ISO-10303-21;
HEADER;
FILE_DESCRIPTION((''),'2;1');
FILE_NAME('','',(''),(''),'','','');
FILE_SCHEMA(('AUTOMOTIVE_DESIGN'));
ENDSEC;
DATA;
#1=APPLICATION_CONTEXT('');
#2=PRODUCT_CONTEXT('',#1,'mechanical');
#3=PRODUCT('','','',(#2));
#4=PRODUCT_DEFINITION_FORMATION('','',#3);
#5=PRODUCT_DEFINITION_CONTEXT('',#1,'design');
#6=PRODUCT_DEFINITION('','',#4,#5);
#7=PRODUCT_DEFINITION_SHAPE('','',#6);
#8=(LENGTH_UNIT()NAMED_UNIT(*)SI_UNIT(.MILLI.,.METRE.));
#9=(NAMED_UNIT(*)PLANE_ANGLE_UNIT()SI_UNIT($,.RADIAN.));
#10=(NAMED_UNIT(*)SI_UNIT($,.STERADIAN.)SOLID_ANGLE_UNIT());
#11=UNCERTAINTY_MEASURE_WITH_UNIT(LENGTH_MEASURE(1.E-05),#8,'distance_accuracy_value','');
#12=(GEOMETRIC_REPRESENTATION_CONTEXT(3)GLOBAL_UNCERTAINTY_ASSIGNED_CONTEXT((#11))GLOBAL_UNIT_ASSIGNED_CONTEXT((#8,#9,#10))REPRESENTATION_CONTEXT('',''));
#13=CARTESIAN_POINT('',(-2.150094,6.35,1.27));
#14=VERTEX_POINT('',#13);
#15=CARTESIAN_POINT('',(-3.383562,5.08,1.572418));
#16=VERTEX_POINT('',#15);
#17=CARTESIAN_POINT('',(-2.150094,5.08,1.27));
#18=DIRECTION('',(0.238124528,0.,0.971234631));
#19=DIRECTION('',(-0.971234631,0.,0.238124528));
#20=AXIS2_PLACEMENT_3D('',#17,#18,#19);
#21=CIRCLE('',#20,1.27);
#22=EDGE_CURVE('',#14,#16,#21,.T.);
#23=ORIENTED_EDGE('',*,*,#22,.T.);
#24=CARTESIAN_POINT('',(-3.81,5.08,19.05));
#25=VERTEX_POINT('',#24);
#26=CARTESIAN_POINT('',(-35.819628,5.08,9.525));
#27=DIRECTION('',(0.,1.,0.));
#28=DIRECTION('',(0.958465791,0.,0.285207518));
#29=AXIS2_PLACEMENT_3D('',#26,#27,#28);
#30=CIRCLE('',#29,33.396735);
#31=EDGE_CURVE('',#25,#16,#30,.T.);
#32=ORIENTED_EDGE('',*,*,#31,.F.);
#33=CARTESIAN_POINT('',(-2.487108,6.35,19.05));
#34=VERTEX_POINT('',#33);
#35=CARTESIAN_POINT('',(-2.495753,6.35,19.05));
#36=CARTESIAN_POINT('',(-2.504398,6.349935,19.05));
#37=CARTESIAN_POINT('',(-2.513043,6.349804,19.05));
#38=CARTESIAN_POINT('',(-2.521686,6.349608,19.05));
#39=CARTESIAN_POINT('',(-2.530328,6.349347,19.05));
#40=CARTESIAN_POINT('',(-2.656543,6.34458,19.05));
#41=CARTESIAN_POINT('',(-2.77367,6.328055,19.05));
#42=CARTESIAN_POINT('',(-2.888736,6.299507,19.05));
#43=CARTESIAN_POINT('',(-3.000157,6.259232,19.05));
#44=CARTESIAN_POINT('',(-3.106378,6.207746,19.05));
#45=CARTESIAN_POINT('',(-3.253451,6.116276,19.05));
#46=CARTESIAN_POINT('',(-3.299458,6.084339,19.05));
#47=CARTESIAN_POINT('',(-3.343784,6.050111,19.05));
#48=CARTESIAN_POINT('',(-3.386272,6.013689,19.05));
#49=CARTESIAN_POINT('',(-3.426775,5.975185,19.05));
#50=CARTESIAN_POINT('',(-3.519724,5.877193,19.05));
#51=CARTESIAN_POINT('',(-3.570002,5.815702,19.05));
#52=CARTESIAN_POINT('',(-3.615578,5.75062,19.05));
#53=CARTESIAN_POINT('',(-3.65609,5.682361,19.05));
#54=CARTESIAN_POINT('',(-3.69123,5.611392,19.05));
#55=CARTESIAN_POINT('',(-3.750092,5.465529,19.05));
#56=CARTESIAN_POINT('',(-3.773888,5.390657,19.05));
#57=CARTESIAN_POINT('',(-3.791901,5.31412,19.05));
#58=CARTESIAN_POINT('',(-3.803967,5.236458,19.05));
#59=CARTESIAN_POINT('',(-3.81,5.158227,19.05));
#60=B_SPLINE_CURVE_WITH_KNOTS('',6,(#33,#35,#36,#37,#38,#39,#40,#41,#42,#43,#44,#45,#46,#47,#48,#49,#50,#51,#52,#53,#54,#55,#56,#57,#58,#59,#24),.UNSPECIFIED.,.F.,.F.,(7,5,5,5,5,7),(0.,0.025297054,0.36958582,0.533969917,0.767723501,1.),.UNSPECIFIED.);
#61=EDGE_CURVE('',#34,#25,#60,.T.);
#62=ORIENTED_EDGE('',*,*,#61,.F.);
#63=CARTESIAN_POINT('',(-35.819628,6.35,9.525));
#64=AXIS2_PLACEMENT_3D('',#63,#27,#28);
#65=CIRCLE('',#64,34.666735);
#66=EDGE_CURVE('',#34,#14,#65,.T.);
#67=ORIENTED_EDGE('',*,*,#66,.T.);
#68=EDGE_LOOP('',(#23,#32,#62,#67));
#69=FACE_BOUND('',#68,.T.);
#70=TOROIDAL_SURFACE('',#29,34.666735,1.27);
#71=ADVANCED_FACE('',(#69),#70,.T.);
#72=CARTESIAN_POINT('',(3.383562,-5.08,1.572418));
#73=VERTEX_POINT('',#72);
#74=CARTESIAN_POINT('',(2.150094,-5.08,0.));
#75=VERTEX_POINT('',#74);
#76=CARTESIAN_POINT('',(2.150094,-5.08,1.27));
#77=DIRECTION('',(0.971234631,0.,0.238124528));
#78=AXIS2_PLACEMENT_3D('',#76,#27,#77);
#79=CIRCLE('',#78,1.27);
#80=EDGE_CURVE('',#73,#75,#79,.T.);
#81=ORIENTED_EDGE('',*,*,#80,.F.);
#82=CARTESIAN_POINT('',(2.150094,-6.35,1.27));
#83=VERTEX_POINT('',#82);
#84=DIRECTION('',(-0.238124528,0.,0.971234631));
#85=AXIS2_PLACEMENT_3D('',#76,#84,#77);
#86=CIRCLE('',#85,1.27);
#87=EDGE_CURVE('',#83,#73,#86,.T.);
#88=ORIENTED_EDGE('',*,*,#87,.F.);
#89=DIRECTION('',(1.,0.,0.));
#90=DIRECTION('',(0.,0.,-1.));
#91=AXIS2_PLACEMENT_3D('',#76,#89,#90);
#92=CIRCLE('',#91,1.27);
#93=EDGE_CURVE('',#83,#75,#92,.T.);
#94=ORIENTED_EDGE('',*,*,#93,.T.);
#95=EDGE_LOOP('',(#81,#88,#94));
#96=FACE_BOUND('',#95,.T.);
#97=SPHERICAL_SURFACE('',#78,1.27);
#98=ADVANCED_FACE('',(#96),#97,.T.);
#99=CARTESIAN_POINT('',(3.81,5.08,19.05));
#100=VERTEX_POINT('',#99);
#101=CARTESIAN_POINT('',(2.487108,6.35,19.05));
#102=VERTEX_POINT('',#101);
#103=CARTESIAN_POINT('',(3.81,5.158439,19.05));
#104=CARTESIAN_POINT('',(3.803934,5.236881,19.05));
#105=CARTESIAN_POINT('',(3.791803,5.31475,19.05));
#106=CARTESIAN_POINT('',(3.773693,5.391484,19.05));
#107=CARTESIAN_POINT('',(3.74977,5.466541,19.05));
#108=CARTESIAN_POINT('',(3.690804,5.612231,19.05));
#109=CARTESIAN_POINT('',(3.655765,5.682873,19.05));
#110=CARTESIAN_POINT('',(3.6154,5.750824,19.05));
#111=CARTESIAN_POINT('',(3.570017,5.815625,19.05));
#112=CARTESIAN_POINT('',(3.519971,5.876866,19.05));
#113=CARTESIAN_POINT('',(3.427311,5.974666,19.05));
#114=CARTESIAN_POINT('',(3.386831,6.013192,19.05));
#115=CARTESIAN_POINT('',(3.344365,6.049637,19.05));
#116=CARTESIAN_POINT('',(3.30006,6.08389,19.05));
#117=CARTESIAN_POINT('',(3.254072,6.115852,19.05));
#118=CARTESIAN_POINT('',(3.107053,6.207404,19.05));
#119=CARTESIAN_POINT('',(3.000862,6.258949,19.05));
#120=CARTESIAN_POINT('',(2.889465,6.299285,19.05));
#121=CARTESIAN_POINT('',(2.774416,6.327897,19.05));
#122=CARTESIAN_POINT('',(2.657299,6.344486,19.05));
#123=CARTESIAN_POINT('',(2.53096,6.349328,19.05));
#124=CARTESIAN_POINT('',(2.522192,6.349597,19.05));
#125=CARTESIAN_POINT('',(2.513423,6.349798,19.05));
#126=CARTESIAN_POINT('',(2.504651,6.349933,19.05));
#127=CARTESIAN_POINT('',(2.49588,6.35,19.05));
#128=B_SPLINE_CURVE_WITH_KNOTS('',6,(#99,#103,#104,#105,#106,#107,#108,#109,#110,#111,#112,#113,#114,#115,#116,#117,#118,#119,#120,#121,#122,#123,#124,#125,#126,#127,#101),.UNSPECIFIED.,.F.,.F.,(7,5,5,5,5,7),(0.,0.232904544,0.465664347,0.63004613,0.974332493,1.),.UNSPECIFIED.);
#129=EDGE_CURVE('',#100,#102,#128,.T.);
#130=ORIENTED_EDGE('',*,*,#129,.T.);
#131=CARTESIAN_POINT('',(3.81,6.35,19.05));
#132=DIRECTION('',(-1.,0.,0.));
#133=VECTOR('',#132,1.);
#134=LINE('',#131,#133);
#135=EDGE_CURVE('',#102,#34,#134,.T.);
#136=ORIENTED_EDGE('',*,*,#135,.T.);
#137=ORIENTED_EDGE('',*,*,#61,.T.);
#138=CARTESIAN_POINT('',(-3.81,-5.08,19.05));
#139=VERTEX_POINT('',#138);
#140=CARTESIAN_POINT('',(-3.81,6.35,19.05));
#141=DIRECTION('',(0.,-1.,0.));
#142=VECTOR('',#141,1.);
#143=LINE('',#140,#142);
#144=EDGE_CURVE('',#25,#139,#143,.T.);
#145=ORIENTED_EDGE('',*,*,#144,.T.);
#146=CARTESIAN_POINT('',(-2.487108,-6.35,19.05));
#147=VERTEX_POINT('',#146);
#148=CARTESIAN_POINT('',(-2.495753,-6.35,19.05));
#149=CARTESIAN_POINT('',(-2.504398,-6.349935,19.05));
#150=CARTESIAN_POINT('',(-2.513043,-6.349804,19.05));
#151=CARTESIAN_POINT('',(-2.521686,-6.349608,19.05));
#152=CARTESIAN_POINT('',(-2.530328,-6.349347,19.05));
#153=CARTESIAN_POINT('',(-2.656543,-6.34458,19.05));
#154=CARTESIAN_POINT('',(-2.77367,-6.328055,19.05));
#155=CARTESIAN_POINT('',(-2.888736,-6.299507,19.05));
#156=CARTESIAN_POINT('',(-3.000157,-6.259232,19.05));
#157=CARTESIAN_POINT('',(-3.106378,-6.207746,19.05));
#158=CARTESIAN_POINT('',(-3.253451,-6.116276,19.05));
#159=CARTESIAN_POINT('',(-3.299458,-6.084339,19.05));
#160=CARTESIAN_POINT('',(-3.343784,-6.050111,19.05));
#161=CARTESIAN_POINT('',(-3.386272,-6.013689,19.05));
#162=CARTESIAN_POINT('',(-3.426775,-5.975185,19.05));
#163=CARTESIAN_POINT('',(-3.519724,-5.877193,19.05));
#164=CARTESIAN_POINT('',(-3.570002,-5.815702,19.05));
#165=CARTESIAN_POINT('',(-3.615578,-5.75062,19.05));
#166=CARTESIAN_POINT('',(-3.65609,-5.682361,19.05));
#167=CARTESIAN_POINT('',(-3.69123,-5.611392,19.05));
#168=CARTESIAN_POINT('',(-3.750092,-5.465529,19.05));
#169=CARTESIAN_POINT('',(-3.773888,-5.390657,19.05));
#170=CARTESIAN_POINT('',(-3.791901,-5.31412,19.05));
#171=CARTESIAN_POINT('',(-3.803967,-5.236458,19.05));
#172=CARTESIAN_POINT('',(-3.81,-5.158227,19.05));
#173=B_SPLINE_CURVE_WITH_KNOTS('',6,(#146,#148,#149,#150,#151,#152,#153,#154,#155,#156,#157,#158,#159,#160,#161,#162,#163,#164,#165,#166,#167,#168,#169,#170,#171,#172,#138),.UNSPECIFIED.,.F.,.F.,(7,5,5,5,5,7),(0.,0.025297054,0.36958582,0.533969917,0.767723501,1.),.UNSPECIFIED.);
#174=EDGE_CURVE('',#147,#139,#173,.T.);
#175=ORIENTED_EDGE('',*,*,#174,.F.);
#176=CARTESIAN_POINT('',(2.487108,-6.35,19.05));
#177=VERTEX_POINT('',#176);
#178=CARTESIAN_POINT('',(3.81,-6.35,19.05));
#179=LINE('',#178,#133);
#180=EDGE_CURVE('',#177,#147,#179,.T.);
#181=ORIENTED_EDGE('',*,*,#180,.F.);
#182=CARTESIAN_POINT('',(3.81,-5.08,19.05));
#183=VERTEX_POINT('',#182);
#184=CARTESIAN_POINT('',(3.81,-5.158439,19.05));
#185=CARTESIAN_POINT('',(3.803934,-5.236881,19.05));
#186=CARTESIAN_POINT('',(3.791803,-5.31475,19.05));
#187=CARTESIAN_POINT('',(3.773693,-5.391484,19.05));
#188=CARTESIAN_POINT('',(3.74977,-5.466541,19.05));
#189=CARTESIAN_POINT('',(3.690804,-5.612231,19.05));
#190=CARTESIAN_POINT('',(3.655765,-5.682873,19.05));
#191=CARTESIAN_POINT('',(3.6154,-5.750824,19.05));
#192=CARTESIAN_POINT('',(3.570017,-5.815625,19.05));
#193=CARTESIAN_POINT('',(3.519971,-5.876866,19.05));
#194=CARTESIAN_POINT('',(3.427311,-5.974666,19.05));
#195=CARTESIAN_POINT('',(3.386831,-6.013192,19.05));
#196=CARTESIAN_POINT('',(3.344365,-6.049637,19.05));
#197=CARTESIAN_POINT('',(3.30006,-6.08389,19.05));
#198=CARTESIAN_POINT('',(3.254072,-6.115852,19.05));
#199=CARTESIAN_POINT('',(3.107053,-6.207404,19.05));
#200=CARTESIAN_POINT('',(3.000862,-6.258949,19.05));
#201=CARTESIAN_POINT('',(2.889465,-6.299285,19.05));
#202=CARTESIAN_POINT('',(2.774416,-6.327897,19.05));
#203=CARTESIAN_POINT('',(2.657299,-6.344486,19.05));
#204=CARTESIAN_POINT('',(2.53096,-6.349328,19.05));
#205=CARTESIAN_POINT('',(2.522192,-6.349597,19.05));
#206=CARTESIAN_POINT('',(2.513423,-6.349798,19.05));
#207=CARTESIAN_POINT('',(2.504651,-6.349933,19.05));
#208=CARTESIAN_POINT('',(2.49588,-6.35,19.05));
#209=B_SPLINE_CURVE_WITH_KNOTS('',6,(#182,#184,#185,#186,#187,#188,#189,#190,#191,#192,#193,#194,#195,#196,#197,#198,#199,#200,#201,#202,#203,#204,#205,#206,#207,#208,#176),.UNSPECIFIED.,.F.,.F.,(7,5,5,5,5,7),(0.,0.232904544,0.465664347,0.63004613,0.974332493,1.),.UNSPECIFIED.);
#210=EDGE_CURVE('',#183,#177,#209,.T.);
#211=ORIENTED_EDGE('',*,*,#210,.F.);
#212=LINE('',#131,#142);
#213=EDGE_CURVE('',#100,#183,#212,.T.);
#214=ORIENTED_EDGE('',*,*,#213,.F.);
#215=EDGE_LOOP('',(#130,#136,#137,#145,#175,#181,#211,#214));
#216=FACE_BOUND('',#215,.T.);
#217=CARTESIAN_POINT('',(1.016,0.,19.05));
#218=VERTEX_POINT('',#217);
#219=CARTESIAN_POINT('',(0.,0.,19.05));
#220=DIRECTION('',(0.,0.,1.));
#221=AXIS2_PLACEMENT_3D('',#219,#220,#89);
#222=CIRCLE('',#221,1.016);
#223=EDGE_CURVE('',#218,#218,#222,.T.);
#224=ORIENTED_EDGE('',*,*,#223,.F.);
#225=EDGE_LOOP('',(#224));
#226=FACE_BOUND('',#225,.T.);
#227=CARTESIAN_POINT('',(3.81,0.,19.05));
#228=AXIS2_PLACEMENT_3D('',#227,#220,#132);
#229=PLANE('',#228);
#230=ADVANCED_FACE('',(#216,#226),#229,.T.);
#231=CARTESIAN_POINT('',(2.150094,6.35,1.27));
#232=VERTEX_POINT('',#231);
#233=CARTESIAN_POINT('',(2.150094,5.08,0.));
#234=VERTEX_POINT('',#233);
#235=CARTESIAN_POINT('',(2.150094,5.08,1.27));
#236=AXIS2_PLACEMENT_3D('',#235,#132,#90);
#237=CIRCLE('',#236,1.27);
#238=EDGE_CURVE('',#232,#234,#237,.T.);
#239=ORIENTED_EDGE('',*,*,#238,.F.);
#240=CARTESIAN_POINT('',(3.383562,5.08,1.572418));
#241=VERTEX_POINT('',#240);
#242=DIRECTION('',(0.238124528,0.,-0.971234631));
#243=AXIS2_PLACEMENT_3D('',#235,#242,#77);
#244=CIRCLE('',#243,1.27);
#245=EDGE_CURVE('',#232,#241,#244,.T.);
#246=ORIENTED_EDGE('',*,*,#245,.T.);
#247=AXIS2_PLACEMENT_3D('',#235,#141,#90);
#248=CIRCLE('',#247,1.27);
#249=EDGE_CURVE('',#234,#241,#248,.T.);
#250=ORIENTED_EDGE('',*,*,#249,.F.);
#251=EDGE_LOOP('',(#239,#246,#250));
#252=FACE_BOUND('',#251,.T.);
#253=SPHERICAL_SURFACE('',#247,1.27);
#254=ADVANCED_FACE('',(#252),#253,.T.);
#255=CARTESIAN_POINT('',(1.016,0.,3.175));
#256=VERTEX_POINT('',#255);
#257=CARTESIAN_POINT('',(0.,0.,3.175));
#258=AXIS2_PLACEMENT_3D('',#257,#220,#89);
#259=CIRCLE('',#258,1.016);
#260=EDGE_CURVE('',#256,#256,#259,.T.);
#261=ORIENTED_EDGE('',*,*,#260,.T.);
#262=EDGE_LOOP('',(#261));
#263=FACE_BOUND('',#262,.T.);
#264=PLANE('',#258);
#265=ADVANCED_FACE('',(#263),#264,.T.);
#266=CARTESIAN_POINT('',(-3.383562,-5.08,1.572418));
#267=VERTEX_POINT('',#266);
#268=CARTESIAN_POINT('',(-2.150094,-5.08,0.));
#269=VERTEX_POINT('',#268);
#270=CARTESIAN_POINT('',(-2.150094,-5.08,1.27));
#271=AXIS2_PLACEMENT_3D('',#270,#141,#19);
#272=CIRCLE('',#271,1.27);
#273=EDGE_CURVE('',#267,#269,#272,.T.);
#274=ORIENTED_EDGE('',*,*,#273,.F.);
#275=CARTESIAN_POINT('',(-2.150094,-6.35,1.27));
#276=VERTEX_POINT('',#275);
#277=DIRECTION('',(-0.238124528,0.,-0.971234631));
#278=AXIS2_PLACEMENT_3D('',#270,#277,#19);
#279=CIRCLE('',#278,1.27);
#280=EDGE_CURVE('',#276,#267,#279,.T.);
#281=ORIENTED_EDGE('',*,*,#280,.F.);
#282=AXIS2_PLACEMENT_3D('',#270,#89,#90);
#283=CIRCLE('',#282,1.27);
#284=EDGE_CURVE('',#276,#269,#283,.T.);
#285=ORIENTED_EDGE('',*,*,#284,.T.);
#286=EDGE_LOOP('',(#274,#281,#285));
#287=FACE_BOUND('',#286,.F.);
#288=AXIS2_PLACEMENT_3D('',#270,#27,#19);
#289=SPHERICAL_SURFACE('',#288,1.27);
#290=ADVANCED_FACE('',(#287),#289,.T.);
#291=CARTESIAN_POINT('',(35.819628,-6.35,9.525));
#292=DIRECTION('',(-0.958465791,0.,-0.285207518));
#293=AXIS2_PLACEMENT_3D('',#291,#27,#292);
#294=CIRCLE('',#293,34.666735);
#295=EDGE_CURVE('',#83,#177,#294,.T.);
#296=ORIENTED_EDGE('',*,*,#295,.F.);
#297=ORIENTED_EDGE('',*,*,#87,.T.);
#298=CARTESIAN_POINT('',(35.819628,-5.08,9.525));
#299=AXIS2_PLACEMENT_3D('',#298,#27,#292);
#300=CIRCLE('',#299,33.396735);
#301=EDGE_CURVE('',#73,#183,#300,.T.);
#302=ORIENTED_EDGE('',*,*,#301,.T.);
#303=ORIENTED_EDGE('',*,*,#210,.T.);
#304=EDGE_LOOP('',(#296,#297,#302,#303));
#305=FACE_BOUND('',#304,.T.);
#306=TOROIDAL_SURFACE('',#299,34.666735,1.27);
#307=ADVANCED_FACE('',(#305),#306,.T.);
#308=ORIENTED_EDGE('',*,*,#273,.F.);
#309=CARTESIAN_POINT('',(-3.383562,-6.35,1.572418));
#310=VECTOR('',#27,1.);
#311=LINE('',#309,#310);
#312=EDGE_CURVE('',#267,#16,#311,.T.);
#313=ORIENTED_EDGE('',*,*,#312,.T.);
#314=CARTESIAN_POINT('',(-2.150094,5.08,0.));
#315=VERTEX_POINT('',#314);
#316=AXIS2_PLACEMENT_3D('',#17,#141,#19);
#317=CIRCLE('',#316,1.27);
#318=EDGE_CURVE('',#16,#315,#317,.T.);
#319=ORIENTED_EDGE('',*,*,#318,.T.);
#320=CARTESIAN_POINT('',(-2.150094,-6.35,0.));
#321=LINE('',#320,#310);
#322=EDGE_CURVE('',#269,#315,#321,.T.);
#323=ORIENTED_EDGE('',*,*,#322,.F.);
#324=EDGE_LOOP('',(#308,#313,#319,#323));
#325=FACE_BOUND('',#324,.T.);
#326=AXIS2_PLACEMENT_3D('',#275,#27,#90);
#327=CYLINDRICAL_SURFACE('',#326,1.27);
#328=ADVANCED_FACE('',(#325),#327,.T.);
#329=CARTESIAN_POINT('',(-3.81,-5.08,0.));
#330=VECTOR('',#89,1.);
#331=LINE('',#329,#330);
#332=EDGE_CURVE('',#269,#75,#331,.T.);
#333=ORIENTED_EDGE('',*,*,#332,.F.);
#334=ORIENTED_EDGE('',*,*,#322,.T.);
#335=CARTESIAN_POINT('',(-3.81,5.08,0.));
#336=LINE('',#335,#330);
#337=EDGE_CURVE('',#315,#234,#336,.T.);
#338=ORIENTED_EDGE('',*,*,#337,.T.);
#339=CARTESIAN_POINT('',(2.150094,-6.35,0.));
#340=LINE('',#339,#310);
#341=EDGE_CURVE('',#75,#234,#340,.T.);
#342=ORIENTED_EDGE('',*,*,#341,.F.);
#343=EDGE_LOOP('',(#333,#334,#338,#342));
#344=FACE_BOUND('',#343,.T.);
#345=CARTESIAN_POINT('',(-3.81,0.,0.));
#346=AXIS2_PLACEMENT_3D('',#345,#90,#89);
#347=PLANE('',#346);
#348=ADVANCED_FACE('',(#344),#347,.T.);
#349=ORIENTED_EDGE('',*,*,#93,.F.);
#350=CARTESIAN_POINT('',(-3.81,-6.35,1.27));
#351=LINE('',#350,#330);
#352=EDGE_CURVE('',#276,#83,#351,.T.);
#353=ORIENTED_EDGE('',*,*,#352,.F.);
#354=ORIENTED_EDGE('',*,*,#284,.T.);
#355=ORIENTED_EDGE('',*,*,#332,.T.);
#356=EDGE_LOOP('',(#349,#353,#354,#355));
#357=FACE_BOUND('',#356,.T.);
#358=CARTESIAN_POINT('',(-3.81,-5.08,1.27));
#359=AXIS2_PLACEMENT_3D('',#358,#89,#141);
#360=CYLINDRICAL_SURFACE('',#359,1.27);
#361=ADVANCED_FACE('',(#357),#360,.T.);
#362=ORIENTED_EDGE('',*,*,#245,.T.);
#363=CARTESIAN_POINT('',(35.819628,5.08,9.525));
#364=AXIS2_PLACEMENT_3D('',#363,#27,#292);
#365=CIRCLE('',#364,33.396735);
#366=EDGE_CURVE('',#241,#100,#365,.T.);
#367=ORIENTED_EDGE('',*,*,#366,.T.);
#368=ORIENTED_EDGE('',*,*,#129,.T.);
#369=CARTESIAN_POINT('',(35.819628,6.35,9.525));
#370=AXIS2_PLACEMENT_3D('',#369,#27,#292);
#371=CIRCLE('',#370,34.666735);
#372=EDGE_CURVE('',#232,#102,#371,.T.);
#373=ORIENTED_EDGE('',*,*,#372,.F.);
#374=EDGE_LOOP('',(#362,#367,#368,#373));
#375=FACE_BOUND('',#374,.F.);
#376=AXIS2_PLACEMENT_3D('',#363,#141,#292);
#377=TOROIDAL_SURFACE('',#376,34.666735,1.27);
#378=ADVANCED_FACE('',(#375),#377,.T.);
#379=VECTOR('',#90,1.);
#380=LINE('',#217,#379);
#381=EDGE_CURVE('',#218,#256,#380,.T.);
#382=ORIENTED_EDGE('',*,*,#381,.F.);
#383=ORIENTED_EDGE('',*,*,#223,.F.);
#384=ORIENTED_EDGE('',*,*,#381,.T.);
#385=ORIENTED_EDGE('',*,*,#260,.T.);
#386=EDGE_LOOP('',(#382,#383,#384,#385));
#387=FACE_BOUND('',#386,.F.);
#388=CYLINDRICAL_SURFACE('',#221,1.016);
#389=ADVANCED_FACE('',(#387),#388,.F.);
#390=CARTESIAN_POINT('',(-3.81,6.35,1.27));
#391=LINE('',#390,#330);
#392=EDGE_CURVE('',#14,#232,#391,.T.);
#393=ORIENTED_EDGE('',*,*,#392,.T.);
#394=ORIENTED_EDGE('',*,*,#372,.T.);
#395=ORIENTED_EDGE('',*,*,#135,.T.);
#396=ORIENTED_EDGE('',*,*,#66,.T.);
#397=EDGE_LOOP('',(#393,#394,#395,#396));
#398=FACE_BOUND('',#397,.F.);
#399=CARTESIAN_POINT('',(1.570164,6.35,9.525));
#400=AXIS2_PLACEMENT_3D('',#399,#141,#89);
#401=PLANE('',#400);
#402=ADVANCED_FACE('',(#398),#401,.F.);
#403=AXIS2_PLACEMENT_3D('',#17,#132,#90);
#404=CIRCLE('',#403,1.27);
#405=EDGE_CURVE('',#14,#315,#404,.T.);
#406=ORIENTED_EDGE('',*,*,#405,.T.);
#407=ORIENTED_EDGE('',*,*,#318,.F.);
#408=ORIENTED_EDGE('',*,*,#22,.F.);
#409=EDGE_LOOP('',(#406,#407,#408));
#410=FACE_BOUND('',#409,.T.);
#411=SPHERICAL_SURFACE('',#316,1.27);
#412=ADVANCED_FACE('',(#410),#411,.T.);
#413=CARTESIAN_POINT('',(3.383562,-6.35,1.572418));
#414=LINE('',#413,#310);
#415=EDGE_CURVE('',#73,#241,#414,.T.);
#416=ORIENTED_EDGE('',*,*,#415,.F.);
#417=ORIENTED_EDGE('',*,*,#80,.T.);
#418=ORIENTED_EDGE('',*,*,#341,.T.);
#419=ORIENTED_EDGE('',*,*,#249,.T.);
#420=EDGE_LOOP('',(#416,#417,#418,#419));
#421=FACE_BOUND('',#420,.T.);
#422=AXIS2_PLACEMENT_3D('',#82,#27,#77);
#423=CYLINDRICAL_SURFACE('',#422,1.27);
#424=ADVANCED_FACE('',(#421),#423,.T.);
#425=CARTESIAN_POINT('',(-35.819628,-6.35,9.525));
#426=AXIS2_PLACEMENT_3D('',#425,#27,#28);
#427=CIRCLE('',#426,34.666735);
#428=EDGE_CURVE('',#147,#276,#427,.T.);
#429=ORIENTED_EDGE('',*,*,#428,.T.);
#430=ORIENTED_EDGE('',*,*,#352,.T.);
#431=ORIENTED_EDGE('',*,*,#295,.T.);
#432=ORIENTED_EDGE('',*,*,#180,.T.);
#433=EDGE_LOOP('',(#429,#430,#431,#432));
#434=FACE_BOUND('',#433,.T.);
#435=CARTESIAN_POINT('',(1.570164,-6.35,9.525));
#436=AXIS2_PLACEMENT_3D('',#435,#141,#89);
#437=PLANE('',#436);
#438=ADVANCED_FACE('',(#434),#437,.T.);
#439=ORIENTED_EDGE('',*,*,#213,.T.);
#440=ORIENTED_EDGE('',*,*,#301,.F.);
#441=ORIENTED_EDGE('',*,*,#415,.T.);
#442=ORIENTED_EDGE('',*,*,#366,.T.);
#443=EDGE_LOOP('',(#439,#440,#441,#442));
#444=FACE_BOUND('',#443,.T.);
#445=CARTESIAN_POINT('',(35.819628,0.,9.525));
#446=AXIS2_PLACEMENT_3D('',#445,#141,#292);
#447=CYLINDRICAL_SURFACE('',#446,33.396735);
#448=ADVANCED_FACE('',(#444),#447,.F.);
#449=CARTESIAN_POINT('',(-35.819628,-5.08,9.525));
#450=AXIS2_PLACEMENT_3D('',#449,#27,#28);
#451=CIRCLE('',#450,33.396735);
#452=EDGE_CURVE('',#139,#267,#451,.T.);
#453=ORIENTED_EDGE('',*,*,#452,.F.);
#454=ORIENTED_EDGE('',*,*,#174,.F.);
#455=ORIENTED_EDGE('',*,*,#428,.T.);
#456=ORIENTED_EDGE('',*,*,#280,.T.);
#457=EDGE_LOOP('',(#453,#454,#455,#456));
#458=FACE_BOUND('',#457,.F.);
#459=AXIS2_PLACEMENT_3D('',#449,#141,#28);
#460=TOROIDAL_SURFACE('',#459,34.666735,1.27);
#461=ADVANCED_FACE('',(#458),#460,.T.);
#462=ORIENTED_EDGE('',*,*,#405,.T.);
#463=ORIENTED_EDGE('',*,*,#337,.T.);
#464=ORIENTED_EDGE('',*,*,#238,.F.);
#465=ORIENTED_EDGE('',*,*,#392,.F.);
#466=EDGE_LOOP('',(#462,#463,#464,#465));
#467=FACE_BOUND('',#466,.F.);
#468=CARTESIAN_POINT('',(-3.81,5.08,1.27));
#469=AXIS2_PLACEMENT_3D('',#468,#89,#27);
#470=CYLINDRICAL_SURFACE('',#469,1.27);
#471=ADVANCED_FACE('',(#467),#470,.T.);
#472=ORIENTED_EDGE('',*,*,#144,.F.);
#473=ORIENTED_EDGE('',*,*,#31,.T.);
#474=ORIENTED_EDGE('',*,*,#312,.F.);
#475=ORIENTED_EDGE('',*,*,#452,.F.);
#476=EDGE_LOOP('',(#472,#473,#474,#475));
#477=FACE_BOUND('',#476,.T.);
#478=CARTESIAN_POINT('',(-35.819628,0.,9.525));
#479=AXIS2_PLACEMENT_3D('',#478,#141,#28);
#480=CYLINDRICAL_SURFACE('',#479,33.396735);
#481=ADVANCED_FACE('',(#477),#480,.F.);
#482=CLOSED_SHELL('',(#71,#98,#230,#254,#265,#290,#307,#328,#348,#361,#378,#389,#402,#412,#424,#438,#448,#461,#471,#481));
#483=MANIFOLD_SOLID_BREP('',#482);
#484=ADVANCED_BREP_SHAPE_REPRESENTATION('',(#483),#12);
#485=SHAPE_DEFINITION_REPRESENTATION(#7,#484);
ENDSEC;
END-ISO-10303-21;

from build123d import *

# Parameters (mm, degrees)
F1_DEPTH = 6.35
F2_R     = 1.016
F3_DEPTH = 15.875
F4_R     = 1.27


with BuildPart() as f1:
    # F0 (on Front) → F1 (new body, symmetric)
    with BuildSketch(Plane.XZ):
        with BuildLine():
            Line((0, 0), (3.81, 0))
            ThreePointArc((3.81, 0), (2.422893, 9.525), (3.81, 19.05))
            Line((3.81, 19.05), (0, 19.05))
            Line((0, 19.05), (0, 0))
        make_face()
        with BuildLine():
            Line((-3.81, 0), (0, 0))
            Line((0, 0), (0, 19.05))
            Line((0, 19.05), (-3.81, 19.05))
            ThreePointArc((-3.81, 19.05), (-2.422893, 9.525), (-3.81, 0))
        make_face()
    extrude(amount=F1_DEPTH, both=True)

    # F2 (on face) → F3 (cut)
    with BuildSketch(Plane.XY.offset(19.05)):
        Circle(F2_R)
    extrude(amount=-F3_DEPTH, mode=Mode.SUBTRACT)

    # F4
    f4_edges = [f1.edges().sort_by_distance(p)[0] for p in [
        (2.422893, -6.35, 9.525),
        (-2.422893, -6.35, 9.525),
        (0, -6.35, 0),
        (3.81, 0, 0),
        (0, 6.35, 0),
        (-3.81, 0, 0),
        (-2.422893, 6.35, 9.525),
        (2.422893, 6.35, 9.525),
    ]]
    fillet(f4_edges, radius=F4_R)


solid = f1.part
